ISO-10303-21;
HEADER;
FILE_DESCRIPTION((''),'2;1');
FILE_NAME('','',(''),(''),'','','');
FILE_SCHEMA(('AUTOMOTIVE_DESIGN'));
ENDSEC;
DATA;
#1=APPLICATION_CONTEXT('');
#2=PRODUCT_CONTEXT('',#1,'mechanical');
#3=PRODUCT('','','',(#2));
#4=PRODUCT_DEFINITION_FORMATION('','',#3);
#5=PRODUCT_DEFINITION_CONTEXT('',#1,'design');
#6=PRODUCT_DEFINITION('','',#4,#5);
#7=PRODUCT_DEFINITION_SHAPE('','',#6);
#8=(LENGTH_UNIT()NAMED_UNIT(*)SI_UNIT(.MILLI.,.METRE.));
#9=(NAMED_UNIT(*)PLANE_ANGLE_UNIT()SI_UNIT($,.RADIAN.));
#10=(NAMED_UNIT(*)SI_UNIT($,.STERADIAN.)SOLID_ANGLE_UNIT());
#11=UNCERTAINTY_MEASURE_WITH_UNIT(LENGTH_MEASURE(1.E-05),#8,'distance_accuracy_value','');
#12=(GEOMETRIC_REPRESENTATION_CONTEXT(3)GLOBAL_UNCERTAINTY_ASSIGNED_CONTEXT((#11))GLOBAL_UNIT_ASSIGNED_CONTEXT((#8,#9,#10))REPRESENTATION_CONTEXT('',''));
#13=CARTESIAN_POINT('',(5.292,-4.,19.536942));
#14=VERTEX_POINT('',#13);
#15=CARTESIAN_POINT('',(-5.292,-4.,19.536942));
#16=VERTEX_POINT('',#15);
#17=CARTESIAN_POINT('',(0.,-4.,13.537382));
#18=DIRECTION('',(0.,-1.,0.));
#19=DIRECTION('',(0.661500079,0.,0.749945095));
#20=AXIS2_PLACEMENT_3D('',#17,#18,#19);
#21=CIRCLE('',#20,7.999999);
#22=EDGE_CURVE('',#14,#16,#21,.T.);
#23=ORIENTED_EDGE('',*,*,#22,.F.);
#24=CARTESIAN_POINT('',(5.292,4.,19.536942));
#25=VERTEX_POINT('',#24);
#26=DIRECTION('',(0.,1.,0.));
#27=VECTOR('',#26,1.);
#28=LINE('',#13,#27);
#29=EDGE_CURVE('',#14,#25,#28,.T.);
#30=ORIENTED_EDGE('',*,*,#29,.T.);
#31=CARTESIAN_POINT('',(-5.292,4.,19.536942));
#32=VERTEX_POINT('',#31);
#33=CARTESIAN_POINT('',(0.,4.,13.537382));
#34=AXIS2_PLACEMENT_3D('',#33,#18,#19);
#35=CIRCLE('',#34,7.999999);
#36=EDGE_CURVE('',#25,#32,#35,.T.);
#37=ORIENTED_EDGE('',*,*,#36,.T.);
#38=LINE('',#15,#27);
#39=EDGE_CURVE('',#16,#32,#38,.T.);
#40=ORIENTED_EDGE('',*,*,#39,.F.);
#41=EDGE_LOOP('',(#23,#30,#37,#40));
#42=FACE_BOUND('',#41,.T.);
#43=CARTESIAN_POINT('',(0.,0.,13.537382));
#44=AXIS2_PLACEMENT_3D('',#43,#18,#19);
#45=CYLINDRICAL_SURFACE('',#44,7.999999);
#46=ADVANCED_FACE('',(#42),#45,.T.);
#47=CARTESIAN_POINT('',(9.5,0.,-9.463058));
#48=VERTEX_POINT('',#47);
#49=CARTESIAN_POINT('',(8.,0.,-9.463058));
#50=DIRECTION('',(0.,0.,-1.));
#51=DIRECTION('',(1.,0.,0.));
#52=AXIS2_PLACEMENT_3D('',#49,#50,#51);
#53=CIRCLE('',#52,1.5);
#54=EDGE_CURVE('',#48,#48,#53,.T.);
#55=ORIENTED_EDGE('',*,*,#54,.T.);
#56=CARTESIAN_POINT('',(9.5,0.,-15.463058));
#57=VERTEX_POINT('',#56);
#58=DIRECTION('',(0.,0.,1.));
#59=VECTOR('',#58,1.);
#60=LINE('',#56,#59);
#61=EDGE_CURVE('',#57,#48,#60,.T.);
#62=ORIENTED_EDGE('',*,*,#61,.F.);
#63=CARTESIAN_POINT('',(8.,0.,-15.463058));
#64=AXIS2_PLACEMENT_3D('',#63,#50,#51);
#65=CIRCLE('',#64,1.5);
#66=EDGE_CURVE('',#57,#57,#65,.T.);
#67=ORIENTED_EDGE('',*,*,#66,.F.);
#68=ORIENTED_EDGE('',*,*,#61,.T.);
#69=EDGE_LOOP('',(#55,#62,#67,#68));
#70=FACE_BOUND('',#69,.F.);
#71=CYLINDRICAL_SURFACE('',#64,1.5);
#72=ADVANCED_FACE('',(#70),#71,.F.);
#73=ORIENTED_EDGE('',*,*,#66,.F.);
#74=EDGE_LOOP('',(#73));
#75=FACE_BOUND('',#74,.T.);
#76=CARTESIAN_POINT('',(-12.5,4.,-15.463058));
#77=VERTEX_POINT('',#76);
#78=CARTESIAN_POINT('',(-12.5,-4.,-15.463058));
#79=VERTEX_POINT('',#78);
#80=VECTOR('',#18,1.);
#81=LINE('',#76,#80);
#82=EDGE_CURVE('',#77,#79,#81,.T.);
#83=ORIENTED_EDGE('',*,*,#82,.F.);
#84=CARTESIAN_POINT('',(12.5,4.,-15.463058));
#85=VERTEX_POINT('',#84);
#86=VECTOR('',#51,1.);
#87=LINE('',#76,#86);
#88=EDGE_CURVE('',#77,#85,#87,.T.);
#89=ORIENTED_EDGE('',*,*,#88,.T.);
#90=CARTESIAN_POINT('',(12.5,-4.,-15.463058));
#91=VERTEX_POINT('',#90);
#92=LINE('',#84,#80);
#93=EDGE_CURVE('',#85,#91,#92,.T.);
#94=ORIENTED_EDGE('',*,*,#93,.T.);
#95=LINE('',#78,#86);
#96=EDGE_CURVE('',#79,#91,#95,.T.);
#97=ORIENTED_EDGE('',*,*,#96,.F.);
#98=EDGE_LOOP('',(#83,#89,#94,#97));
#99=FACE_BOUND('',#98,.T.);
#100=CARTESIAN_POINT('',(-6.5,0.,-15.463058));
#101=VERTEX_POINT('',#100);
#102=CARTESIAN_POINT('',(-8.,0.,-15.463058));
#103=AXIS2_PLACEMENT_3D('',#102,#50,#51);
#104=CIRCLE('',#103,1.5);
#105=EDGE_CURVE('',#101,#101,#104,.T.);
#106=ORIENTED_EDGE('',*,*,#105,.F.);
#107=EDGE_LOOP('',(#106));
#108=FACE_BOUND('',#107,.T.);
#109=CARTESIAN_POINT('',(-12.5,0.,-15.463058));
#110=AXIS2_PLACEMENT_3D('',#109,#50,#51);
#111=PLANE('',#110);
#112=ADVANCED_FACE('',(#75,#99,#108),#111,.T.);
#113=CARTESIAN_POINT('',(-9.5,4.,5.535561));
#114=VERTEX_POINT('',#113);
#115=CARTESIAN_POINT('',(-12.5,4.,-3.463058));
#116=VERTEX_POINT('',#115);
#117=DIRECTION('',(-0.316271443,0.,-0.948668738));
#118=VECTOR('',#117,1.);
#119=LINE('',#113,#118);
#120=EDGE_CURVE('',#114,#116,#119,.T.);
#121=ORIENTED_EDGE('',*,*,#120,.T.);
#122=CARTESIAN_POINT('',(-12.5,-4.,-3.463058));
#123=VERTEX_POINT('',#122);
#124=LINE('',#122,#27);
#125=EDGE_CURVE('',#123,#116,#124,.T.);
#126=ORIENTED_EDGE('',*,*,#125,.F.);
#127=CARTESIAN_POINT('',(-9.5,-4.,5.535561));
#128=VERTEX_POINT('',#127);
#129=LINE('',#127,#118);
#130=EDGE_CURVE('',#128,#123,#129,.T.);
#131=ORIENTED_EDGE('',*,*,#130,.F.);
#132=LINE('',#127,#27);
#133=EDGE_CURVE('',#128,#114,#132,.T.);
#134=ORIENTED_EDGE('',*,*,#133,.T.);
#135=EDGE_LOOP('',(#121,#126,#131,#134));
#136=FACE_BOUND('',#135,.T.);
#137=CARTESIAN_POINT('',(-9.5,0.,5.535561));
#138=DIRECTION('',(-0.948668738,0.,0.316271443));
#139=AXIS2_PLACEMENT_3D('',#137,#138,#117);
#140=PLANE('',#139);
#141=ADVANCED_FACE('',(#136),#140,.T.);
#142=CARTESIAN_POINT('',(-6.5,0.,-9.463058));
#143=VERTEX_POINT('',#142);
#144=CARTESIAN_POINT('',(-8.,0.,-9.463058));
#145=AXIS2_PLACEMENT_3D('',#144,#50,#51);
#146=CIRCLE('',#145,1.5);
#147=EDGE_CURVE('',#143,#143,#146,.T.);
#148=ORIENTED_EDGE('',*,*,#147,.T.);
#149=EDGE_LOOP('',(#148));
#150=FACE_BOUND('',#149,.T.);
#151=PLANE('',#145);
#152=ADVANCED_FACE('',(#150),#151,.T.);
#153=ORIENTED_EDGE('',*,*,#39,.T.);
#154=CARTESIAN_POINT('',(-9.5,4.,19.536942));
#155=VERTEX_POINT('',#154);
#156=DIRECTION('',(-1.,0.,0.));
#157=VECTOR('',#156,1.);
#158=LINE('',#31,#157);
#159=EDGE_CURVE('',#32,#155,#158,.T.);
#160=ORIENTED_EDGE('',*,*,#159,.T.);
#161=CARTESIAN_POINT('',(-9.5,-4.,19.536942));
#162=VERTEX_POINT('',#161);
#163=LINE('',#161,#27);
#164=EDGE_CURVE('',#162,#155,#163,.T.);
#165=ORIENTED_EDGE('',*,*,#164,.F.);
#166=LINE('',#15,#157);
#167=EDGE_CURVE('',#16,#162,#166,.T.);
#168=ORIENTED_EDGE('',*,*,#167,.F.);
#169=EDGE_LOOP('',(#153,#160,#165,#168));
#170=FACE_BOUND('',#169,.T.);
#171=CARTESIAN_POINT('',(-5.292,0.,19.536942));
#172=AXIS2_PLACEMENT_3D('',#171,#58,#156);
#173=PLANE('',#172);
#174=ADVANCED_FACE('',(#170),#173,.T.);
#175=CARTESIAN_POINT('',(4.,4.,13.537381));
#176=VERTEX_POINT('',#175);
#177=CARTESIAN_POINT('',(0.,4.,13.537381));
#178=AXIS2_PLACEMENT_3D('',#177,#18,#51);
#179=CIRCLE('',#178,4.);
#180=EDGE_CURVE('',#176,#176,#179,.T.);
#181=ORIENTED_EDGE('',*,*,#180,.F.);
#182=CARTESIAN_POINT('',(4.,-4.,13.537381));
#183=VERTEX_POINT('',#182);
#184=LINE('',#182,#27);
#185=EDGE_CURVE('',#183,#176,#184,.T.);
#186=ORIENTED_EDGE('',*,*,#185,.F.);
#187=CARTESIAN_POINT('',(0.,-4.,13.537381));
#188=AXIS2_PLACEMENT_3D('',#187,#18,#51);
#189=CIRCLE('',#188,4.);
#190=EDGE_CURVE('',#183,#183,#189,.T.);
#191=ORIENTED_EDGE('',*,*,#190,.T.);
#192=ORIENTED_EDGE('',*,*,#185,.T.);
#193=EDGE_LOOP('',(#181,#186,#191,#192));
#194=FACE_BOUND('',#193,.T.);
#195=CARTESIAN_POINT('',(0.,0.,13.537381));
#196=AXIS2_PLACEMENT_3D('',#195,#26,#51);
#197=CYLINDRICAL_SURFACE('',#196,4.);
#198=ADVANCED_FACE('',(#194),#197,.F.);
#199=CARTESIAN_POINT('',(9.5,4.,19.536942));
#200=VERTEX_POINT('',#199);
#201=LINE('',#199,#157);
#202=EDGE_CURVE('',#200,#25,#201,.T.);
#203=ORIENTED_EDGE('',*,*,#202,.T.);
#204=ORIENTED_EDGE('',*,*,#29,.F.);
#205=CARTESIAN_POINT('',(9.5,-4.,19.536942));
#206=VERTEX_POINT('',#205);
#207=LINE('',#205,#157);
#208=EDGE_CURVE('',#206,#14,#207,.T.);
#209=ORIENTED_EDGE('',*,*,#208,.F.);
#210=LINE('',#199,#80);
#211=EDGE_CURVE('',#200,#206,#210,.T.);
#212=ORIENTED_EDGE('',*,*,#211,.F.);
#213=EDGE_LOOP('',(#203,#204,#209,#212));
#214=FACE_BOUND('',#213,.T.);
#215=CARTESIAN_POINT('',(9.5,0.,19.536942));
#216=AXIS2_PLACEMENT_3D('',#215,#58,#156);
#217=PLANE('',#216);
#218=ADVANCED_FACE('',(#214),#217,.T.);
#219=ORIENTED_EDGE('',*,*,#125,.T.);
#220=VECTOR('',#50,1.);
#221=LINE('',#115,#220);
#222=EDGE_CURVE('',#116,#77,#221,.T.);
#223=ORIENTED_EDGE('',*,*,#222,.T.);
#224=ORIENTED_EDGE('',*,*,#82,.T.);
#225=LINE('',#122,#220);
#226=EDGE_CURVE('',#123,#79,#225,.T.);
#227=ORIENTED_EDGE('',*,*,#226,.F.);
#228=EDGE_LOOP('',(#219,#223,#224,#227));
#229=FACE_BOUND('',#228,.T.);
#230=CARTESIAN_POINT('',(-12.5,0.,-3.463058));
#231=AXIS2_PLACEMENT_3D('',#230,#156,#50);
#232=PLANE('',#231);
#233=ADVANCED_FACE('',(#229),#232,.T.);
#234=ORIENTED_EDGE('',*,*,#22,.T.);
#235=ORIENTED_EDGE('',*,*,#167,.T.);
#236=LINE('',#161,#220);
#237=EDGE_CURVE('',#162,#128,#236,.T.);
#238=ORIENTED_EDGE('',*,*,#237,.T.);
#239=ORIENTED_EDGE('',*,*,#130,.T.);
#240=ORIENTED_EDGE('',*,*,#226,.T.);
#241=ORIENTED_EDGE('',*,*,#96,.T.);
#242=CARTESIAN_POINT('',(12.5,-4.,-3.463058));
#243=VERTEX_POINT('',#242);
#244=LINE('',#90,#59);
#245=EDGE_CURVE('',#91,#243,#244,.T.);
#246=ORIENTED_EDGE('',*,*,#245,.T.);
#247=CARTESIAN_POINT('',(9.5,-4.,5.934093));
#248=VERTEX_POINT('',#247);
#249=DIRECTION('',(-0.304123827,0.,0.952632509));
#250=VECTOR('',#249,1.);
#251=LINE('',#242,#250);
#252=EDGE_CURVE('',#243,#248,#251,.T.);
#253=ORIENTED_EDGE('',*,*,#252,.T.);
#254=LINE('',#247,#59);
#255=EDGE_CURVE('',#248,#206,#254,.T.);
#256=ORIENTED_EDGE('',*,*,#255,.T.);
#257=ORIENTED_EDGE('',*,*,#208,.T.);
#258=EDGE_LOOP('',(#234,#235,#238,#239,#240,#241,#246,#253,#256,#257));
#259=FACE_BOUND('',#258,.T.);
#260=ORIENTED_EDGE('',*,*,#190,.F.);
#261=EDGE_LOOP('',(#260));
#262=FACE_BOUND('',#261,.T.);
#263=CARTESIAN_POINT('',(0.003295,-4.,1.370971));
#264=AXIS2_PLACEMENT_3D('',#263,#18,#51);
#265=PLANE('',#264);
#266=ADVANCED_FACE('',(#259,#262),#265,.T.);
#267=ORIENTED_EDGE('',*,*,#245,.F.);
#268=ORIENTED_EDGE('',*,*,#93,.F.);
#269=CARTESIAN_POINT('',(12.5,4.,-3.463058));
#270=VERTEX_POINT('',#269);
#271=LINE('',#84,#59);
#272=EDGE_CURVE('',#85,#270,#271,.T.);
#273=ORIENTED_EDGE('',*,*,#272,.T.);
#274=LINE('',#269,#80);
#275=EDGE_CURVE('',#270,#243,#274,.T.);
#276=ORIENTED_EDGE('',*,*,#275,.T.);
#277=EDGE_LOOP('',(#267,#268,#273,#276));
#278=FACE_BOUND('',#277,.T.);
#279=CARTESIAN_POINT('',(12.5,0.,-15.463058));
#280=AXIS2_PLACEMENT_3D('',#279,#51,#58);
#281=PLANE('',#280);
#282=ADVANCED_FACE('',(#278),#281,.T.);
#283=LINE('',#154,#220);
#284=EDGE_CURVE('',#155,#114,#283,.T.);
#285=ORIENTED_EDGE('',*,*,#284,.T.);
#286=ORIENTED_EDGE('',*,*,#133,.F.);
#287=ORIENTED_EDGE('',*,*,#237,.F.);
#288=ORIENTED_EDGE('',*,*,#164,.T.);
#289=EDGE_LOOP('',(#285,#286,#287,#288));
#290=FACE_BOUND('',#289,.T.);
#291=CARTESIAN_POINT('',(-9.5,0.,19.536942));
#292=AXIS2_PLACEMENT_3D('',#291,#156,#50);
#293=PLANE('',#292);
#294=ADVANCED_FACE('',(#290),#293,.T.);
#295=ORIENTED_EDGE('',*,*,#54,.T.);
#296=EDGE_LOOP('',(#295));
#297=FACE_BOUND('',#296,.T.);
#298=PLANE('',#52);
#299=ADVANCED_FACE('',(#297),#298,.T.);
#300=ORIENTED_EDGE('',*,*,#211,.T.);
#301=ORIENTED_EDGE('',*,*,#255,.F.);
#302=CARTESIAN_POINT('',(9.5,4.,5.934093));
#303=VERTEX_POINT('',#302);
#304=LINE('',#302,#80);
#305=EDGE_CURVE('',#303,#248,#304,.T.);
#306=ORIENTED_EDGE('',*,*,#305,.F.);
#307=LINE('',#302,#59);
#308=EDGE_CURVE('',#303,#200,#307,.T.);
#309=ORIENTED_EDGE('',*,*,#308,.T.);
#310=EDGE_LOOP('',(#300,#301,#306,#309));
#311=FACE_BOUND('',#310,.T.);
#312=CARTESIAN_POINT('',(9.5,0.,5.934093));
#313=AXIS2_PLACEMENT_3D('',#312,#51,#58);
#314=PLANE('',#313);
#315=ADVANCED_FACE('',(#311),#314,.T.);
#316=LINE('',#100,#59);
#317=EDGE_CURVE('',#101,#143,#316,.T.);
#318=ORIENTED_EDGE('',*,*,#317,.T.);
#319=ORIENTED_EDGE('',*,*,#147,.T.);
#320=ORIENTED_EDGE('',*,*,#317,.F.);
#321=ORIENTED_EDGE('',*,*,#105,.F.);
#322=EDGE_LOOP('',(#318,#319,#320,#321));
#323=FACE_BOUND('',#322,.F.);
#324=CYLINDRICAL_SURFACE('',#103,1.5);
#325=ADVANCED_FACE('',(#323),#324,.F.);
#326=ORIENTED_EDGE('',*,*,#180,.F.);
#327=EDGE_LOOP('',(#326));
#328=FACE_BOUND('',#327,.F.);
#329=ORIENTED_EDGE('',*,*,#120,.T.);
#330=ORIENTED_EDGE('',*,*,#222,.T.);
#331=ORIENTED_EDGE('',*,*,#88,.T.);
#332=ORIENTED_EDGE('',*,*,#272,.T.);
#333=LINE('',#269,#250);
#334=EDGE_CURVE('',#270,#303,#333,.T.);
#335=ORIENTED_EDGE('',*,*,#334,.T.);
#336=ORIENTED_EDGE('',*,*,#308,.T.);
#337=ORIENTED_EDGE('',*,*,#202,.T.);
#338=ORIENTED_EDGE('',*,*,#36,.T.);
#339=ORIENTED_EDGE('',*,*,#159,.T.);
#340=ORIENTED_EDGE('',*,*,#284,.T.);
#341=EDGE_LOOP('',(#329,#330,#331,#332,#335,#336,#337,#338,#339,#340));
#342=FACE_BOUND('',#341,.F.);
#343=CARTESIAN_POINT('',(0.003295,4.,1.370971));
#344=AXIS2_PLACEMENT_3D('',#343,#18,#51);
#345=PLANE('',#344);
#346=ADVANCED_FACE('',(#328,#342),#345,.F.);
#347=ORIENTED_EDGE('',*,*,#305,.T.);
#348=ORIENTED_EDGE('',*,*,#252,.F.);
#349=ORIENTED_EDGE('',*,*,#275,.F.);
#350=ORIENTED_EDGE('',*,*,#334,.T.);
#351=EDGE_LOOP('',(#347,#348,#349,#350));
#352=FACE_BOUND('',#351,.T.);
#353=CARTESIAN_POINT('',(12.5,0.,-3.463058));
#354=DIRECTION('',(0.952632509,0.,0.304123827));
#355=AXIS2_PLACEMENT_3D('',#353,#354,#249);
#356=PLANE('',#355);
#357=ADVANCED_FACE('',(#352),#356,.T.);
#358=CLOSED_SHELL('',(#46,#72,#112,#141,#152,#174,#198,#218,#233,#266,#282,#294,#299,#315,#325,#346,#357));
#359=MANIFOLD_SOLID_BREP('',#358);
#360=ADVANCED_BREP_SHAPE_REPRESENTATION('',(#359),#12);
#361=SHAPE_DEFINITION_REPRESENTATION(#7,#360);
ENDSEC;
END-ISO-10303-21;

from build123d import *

# Parameters (mm, degrees)
F0_R     = 4
F1_DEPTH = 4
F2_R     = 1.5
F3_DEPTH = 6


with BuildPart() as f1:
    # F0 (on Front) → F1 (new body, symmetric)
    with BuildSketch(Plane.XZ):
        with BuildLine():
            Line((-12.5, -3.463058), (-12.5, -15.463058))
            Line((-12.5, -15.463058), (12.5, -15.463058))
            Line((12.5, -15.463058), (12.5, -3.463058))
            Line((12.5, -3.463058), (9.5, 5.934093))
            Line((9.5, 5.934093), (9.5, 19.536942))
            Line((9.5, 19.536942), (5.292, 19.536942))
            ThreePointArc((5.292, 19.536942), (0, 21.537381), (-5.292, 19.536942))
            Line((-5.292, 19.536942), (-9.5, 19.536942))
            Line((-9.5, 19.536942), (-9.5, 5.535561))
            Line((-9.5, 5.535561), (-12.5, -3.463058))
        make_face()
        with Locations((0, 13.537381)):
            Circle(F0_R, mode=Mode.SUBTRACT)
    extrude(amount=F1_DEPTH, both=True)

    # F2 (on face) → F3 (cut)
    with BuildSketch(Plane(origin=(0, 0, -15.463058), x_dir=(1, 0, 0), z_dir=(0, 0, -1))):
        with Locations((-8, 0)):
            Circle(F2_R)
        with Locations((8, 0)):
            Circle(F2_R)
    extrude(amount=-F3_DEPTH, mode=Mode.SUBTRACT)


solid = f1.part
